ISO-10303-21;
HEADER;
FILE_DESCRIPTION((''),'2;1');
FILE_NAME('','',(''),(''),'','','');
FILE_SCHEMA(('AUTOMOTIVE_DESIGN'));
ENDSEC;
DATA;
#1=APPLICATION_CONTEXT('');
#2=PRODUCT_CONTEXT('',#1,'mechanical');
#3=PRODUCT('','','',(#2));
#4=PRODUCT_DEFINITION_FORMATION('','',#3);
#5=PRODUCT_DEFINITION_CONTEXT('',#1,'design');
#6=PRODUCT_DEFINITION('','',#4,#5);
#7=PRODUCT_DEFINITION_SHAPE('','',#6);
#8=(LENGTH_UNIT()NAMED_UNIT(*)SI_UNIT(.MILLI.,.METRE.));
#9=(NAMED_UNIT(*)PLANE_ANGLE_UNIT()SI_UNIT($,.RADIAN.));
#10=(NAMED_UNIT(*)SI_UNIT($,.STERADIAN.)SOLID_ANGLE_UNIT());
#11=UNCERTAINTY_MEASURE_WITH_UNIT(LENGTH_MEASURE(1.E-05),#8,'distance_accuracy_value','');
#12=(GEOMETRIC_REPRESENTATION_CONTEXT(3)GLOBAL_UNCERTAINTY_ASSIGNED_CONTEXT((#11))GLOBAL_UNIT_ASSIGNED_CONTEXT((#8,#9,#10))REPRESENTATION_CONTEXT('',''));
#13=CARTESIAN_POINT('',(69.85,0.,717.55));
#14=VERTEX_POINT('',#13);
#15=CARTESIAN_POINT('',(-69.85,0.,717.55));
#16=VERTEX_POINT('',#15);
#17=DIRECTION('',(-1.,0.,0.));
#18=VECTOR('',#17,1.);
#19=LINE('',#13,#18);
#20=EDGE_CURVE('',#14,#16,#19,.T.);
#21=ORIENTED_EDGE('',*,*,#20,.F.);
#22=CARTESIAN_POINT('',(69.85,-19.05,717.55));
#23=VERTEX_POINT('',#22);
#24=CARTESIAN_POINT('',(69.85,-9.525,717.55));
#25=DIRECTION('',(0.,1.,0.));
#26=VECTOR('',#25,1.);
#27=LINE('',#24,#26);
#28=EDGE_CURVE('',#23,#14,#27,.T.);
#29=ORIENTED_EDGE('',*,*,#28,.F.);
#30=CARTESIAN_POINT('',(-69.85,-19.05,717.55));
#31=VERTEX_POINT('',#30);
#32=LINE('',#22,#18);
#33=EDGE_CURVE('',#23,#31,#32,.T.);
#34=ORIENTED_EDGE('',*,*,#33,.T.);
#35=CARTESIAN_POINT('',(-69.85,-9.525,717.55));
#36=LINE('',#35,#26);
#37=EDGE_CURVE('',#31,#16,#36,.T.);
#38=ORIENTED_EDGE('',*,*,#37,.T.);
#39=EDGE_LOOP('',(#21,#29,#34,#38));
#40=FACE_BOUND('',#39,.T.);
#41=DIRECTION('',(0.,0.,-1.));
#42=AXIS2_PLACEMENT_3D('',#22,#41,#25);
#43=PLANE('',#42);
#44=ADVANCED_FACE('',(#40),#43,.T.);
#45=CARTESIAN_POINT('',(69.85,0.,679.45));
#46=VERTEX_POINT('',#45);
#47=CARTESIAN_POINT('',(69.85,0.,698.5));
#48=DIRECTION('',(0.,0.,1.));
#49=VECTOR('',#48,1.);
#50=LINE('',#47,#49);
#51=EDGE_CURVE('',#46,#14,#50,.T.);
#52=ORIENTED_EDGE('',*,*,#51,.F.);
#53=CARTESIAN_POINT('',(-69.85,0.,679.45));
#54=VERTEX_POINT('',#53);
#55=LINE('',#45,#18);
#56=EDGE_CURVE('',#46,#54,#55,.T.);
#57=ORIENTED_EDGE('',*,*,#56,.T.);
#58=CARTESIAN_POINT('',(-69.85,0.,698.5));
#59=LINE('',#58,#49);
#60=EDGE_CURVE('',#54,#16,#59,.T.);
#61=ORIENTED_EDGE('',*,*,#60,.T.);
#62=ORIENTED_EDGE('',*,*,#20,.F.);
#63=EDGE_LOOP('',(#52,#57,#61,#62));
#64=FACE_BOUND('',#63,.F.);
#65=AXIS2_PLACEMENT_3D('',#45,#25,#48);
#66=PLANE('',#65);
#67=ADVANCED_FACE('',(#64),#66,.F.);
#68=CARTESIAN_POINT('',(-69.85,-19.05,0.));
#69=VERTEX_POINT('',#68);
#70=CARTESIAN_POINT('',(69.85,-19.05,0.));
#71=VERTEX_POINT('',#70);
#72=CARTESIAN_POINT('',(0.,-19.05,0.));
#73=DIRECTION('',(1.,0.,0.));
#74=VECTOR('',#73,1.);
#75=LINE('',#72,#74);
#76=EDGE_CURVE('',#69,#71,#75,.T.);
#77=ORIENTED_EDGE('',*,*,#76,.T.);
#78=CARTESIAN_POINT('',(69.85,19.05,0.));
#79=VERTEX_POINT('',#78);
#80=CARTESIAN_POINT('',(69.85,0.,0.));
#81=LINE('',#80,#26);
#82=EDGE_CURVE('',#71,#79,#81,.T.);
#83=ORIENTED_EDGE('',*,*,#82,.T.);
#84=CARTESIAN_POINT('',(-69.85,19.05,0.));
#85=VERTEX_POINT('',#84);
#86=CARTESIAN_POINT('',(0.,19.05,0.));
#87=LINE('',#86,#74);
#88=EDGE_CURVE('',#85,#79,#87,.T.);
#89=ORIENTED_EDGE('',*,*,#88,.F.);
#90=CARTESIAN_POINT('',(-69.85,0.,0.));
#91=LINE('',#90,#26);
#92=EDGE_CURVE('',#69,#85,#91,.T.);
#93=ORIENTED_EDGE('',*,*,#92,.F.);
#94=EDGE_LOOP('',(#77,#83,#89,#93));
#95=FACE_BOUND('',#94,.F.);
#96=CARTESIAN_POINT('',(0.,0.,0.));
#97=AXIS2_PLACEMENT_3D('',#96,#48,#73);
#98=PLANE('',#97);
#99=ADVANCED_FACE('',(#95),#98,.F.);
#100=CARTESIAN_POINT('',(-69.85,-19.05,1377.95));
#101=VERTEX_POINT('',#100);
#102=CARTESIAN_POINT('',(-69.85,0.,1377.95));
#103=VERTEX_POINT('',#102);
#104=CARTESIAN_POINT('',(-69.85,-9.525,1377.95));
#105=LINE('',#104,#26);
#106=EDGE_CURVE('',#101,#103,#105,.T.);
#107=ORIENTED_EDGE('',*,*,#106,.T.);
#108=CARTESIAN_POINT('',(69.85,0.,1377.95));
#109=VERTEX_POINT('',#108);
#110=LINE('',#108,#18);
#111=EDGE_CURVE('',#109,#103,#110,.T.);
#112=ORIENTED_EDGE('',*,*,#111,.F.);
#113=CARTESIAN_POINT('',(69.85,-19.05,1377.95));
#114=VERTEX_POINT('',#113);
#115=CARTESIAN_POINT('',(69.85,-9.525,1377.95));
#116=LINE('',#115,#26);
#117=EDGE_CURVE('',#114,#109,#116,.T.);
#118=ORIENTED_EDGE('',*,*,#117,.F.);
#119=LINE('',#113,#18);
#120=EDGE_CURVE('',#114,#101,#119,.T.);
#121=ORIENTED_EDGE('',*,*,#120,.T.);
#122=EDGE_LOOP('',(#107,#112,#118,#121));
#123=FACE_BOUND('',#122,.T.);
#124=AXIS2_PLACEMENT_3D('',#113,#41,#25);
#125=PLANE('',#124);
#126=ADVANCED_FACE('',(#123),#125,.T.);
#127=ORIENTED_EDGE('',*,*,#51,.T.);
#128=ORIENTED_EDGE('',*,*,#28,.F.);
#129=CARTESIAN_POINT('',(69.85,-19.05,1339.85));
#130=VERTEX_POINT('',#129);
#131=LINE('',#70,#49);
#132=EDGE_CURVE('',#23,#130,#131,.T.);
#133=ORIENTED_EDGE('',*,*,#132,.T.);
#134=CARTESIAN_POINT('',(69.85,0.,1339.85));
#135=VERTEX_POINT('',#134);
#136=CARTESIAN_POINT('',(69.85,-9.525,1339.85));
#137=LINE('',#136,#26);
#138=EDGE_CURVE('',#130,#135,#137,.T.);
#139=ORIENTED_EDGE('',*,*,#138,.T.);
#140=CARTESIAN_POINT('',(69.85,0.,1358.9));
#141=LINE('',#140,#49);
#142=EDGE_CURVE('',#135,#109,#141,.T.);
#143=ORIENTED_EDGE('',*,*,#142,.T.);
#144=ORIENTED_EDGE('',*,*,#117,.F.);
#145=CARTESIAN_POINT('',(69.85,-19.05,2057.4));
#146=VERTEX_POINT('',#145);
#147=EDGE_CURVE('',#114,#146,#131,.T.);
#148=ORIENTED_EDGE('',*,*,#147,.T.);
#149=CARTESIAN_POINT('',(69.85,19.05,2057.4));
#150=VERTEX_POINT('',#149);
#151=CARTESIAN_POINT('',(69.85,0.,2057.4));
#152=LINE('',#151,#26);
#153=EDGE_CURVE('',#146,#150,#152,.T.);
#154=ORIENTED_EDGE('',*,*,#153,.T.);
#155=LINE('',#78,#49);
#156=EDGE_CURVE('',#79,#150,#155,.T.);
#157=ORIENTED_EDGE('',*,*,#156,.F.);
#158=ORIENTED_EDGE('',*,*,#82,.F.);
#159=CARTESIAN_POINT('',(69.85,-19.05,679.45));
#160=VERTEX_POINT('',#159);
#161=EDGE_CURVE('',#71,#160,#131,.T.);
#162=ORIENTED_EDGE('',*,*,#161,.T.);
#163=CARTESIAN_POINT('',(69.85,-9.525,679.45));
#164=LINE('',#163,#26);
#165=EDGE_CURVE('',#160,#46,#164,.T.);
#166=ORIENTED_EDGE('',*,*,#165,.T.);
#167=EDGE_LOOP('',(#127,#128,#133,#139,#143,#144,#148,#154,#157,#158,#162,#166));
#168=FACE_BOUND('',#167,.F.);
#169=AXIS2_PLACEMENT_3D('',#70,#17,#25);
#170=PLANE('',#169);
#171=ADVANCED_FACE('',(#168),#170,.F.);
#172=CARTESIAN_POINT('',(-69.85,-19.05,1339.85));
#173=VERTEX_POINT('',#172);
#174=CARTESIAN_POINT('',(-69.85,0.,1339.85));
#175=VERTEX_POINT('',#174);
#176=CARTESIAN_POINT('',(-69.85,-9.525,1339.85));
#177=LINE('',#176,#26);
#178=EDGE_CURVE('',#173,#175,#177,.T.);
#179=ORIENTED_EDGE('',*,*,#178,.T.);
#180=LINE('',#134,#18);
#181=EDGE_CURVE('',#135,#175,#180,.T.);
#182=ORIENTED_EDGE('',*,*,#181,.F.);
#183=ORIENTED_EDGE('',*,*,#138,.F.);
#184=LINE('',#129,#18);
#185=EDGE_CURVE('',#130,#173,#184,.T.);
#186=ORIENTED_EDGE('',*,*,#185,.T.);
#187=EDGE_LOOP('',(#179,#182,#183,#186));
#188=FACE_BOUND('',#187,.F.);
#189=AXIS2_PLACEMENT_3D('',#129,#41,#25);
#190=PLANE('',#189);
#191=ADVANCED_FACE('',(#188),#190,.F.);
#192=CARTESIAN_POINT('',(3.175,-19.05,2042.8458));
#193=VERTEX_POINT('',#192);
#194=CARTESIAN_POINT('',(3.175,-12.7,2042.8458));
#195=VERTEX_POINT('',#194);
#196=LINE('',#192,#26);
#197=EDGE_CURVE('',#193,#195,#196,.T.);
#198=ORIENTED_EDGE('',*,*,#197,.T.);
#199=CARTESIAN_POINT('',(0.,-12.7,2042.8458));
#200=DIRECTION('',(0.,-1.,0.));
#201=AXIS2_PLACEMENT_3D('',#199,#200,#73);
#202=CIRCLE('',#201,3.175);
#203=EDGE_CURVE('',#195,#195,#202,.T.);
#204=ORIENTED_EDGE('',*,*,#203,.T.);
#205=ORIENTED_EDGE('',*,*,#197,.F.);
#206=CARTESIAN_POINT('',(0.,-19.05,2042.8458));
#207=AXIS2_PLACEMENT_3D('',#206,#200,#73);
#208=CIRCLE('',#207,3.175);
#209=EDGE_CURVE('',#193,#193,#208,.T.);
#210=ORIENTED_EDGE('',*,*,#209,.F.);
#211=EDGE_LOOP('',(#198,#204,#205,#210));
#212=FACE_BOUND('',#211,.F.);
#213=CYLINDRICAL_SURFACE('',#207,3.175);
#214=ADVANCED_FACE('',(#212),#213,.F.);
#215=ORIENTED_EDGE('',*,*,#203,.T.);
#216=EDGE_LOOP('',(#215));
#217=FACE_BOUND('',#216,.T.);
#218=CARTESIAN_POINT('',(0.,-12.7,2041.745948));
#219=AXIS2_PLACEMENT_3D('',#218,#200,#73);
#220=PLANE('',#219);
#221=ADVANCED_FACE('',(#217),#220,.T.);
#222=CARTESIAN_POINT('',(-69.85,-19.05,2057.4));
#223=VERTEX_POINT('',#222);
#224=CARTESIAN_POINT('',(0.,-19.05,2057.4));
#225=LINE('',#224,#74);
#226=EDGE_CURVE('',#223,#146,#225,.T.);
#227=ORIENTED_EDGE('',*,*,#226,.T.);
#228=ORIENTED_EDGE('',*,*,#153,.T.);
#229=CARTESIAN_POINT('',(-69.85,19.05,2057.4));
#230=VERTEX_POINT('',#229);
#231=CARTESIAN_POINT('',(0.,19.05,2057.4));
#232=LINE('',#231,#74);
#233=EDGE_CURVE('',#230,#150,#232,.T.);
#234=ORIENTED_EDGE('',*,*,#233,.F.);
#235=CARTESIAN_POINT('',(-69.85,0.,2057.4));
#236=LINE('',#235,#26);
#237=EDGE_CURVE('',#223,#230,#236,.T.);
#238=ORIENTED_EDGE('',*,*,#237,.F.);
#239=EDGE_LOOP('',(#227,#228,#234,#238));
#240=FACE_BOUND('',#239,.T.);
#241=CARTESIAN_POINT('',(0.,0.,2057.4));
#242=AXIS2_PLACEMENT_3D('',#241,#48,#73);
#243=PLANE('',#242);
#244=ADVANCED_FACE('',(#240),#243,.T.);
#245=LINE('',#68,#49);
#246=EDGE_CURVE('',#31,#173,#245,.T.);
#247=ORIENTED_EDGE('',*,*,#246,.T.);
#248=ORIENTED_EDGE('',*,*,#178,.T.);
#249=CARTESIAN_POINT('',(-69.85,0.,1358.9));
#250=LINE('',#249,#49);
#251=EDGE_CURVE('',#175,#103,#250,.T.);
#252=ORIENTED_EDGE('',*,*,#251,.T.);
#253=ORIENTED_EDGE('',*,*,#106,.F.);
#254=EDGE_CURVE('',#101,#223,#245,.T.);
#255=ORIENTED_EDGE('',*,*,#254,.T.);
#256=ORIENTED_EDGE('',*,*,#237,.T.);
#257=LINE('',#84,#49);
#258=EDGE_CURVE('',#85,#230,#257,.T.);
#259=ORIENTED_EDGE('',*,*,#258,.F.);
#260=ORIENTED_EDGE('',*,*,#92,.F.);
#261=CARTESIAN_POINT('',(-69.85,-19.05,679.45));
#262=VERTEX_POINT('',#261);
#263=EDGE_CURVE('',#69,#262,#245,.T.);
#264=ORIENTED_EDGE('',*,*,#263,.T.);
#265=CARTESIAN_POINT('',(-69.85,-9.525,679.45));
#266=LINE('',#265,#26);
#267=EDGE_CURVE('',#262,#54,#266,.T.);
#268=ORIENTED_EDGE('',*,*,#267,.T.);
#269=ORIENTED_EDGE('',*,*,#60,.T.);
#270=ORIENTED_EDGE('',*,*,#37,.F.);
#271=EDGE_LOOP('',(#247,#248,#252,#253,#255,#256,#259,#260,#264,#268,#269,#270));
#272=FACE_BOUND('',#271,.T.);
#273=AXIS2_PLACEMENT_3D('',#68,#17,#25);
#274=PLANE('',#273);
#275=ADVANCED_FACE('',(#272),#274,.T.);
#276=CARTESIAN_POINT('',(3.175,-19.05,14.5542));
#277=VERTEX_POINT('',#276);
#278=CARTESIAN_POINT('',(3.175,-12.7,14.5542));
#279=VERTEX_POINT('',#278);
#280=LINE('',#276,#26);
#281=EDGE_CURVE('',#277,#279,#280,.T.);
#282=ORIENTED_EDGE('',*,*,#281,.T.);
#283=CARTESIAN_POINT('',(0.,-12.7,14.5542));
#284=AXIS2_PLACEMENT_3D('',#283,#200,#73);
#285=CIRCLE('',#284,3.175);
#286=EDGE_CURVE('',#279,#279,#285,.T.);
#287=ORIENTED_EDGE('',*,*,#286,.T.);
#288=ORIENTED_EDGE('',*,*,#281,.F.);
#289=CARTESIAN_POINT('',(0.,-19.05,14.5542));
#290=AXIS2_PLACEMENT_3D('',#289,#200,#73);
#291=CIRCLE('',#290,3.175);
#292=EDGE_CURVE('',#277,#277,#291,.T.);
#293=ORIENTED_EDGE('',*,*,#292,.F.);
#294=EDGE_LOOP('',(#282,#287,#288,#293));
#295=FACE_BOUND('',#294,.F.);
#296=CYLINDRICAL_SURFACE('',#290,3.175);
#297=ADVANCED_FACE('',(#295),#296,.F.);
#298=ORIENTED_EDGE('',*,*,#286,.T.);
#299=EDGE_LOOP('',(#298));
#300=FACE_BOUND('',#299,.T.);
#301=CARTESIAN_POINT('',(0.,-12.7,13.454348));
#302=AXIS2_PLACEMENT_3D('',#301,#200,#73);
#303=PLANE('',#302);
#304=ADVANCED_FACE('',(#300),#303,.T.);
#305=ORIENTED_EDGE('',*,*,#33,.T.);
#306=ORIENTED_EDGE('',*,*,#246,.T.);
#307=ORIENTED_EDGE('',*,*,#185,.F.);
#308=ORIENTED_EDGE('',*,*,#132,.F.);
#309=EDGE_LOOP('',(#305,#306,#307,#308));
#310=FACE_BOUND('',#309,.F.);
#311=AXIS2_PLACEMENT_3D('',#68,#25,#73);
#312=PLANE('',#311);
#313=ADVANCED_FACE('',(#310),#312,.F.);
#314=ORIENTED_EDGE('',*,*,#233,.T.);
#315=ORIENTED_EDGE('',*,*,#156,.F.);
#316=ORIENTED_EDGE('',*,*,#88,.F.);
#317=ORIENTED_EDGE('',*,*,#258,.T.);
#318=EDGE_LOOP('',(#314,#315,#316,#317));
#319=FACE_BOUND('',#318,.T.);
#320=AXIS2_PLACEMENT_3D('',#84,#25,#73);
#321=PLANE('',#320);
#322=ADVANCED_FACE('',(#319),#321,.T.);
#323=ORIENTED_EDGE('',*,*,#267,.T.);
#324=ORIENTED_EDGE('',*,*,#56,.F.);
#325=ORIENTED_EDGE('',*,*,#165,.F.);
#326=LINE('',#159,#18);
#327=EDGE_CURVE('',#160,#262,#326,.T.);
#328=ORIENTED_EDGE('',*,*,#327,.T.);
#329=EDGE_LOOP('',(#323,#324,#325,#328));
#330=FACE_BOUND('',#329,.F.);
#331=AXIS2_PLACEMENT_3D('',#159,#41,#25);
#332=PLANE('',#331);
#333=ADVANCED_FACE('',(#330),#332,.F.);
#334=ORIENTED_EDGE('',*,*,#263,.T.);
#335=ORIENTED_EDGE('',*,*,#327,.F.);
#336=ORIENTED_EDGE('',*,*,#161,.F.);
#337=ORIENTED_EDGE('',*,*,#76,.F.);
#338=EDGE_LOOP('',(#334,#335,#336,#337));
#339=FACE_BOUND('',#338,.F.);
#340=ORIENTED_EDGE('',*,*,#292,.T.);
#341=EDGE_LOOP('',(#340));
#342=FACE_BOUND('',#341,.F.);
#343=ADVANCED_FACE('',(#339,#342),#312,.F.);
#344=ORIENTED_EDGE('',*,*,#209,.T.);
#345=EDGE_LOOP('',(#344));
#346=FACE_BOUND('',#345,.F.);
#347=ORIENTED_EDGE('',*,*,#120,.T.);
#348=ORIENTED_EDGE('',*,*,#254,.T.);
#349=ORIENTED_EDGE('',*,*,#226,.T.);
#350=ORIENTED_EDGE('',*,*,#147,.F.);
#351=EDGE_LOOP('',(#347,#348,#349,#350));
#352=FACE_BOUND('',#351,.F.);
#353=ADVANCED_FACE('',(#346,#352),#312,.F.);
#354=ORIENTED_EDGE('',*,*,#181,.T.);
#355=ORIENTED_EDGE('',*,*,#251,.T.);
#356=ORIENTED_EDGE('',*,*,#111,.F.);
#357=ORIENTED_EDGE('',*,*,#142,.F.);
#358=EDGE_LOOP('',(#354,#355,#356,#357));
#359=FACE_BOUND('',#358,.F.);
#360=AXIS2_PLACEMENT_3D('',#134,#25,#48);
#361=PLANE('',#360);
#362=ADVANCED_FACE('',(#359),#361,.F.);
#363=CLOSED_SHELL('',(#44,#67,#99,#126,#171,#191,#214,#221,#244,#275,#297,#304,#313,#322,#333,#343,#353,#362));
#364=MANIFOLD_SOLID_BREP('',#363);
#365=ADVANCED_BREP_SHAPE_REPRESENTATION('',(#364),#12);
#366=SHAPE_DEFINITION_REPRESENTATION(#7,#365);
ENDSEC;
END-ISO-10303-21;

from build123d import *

# Parameters (mm, degrees)
F0_W     = 139.7
F0_H     = 38.1
F1_DEPTH = 2057.4
F2_W     = 19.05
F2_H     = 38.1
F3_DEPTH = 139.7
F5_DEPTH = 6.35
F7_DEPTH = 6.35


with BuildPart() as f1:
    # F0 (on Top) → F1 (new body)
    with BuildSketch(Plane.XY):
        Rectangle(F0_W, F0_H)
    extrude(amount=F1_DEPTH)

    # F2 (on face) → F3 (cut)
    with BuildSketch(Plane.YZ.offset(69.85)):
        with Locations((-9.525, 698.5)):
            Rectangle(F2_W, F2_H)
        with Locations((-9.525, 1358.9)):
            Rectangle(F2_W, F2_H)
    extrude(amount=-F3_DEPTH, mode=Mode.SUBTRACT)

    # F4 (on face) → F5 (cut)
    with BuildSketch(Plane.XZ.offset(19.05)):
        with BuildLine():
            ThreePointArc((-3.175, 2042.8458), (0, 2039.6708), (3.175, 2042.8458))
            Line((3.175, 2042.8458), (-3.175, 2042.8458))
        make_face()
        with BuildLine():
            Line((-3.175, 2042.8458), (3.175, 2042.8458))
            ThreePointArc((3.175, 2042.8458), (0, 2046.0208), (-3.175, 2042.8458))
        make_face()
    extrude(amount=-F5_DEPTH, mode=Mode.SUBTRACT)

    # F6 (on face) → F7 (cut)
    with BuildSketch(Plane.XZ.offset(19.05)):
        with BuildLine():
            ThreePointArc((-3.175, 14.5542), (0, 11.3792), (3.175, 14.5542))
            Line((3.175, 14.5542), (-3.175, 14.5542))
        make_face()
        with BuildLine():
            Line((-3.175, 14.5542), (3.175, 14.5542))
            ThreePointArc((3.175, 14.5542), (0, 17.7292), (-3.175, 14.5542))
        make_face()
    extrude(amount=-F7_DEPTH, mode=Mode.SUBTRACT)


solid = f1.part
